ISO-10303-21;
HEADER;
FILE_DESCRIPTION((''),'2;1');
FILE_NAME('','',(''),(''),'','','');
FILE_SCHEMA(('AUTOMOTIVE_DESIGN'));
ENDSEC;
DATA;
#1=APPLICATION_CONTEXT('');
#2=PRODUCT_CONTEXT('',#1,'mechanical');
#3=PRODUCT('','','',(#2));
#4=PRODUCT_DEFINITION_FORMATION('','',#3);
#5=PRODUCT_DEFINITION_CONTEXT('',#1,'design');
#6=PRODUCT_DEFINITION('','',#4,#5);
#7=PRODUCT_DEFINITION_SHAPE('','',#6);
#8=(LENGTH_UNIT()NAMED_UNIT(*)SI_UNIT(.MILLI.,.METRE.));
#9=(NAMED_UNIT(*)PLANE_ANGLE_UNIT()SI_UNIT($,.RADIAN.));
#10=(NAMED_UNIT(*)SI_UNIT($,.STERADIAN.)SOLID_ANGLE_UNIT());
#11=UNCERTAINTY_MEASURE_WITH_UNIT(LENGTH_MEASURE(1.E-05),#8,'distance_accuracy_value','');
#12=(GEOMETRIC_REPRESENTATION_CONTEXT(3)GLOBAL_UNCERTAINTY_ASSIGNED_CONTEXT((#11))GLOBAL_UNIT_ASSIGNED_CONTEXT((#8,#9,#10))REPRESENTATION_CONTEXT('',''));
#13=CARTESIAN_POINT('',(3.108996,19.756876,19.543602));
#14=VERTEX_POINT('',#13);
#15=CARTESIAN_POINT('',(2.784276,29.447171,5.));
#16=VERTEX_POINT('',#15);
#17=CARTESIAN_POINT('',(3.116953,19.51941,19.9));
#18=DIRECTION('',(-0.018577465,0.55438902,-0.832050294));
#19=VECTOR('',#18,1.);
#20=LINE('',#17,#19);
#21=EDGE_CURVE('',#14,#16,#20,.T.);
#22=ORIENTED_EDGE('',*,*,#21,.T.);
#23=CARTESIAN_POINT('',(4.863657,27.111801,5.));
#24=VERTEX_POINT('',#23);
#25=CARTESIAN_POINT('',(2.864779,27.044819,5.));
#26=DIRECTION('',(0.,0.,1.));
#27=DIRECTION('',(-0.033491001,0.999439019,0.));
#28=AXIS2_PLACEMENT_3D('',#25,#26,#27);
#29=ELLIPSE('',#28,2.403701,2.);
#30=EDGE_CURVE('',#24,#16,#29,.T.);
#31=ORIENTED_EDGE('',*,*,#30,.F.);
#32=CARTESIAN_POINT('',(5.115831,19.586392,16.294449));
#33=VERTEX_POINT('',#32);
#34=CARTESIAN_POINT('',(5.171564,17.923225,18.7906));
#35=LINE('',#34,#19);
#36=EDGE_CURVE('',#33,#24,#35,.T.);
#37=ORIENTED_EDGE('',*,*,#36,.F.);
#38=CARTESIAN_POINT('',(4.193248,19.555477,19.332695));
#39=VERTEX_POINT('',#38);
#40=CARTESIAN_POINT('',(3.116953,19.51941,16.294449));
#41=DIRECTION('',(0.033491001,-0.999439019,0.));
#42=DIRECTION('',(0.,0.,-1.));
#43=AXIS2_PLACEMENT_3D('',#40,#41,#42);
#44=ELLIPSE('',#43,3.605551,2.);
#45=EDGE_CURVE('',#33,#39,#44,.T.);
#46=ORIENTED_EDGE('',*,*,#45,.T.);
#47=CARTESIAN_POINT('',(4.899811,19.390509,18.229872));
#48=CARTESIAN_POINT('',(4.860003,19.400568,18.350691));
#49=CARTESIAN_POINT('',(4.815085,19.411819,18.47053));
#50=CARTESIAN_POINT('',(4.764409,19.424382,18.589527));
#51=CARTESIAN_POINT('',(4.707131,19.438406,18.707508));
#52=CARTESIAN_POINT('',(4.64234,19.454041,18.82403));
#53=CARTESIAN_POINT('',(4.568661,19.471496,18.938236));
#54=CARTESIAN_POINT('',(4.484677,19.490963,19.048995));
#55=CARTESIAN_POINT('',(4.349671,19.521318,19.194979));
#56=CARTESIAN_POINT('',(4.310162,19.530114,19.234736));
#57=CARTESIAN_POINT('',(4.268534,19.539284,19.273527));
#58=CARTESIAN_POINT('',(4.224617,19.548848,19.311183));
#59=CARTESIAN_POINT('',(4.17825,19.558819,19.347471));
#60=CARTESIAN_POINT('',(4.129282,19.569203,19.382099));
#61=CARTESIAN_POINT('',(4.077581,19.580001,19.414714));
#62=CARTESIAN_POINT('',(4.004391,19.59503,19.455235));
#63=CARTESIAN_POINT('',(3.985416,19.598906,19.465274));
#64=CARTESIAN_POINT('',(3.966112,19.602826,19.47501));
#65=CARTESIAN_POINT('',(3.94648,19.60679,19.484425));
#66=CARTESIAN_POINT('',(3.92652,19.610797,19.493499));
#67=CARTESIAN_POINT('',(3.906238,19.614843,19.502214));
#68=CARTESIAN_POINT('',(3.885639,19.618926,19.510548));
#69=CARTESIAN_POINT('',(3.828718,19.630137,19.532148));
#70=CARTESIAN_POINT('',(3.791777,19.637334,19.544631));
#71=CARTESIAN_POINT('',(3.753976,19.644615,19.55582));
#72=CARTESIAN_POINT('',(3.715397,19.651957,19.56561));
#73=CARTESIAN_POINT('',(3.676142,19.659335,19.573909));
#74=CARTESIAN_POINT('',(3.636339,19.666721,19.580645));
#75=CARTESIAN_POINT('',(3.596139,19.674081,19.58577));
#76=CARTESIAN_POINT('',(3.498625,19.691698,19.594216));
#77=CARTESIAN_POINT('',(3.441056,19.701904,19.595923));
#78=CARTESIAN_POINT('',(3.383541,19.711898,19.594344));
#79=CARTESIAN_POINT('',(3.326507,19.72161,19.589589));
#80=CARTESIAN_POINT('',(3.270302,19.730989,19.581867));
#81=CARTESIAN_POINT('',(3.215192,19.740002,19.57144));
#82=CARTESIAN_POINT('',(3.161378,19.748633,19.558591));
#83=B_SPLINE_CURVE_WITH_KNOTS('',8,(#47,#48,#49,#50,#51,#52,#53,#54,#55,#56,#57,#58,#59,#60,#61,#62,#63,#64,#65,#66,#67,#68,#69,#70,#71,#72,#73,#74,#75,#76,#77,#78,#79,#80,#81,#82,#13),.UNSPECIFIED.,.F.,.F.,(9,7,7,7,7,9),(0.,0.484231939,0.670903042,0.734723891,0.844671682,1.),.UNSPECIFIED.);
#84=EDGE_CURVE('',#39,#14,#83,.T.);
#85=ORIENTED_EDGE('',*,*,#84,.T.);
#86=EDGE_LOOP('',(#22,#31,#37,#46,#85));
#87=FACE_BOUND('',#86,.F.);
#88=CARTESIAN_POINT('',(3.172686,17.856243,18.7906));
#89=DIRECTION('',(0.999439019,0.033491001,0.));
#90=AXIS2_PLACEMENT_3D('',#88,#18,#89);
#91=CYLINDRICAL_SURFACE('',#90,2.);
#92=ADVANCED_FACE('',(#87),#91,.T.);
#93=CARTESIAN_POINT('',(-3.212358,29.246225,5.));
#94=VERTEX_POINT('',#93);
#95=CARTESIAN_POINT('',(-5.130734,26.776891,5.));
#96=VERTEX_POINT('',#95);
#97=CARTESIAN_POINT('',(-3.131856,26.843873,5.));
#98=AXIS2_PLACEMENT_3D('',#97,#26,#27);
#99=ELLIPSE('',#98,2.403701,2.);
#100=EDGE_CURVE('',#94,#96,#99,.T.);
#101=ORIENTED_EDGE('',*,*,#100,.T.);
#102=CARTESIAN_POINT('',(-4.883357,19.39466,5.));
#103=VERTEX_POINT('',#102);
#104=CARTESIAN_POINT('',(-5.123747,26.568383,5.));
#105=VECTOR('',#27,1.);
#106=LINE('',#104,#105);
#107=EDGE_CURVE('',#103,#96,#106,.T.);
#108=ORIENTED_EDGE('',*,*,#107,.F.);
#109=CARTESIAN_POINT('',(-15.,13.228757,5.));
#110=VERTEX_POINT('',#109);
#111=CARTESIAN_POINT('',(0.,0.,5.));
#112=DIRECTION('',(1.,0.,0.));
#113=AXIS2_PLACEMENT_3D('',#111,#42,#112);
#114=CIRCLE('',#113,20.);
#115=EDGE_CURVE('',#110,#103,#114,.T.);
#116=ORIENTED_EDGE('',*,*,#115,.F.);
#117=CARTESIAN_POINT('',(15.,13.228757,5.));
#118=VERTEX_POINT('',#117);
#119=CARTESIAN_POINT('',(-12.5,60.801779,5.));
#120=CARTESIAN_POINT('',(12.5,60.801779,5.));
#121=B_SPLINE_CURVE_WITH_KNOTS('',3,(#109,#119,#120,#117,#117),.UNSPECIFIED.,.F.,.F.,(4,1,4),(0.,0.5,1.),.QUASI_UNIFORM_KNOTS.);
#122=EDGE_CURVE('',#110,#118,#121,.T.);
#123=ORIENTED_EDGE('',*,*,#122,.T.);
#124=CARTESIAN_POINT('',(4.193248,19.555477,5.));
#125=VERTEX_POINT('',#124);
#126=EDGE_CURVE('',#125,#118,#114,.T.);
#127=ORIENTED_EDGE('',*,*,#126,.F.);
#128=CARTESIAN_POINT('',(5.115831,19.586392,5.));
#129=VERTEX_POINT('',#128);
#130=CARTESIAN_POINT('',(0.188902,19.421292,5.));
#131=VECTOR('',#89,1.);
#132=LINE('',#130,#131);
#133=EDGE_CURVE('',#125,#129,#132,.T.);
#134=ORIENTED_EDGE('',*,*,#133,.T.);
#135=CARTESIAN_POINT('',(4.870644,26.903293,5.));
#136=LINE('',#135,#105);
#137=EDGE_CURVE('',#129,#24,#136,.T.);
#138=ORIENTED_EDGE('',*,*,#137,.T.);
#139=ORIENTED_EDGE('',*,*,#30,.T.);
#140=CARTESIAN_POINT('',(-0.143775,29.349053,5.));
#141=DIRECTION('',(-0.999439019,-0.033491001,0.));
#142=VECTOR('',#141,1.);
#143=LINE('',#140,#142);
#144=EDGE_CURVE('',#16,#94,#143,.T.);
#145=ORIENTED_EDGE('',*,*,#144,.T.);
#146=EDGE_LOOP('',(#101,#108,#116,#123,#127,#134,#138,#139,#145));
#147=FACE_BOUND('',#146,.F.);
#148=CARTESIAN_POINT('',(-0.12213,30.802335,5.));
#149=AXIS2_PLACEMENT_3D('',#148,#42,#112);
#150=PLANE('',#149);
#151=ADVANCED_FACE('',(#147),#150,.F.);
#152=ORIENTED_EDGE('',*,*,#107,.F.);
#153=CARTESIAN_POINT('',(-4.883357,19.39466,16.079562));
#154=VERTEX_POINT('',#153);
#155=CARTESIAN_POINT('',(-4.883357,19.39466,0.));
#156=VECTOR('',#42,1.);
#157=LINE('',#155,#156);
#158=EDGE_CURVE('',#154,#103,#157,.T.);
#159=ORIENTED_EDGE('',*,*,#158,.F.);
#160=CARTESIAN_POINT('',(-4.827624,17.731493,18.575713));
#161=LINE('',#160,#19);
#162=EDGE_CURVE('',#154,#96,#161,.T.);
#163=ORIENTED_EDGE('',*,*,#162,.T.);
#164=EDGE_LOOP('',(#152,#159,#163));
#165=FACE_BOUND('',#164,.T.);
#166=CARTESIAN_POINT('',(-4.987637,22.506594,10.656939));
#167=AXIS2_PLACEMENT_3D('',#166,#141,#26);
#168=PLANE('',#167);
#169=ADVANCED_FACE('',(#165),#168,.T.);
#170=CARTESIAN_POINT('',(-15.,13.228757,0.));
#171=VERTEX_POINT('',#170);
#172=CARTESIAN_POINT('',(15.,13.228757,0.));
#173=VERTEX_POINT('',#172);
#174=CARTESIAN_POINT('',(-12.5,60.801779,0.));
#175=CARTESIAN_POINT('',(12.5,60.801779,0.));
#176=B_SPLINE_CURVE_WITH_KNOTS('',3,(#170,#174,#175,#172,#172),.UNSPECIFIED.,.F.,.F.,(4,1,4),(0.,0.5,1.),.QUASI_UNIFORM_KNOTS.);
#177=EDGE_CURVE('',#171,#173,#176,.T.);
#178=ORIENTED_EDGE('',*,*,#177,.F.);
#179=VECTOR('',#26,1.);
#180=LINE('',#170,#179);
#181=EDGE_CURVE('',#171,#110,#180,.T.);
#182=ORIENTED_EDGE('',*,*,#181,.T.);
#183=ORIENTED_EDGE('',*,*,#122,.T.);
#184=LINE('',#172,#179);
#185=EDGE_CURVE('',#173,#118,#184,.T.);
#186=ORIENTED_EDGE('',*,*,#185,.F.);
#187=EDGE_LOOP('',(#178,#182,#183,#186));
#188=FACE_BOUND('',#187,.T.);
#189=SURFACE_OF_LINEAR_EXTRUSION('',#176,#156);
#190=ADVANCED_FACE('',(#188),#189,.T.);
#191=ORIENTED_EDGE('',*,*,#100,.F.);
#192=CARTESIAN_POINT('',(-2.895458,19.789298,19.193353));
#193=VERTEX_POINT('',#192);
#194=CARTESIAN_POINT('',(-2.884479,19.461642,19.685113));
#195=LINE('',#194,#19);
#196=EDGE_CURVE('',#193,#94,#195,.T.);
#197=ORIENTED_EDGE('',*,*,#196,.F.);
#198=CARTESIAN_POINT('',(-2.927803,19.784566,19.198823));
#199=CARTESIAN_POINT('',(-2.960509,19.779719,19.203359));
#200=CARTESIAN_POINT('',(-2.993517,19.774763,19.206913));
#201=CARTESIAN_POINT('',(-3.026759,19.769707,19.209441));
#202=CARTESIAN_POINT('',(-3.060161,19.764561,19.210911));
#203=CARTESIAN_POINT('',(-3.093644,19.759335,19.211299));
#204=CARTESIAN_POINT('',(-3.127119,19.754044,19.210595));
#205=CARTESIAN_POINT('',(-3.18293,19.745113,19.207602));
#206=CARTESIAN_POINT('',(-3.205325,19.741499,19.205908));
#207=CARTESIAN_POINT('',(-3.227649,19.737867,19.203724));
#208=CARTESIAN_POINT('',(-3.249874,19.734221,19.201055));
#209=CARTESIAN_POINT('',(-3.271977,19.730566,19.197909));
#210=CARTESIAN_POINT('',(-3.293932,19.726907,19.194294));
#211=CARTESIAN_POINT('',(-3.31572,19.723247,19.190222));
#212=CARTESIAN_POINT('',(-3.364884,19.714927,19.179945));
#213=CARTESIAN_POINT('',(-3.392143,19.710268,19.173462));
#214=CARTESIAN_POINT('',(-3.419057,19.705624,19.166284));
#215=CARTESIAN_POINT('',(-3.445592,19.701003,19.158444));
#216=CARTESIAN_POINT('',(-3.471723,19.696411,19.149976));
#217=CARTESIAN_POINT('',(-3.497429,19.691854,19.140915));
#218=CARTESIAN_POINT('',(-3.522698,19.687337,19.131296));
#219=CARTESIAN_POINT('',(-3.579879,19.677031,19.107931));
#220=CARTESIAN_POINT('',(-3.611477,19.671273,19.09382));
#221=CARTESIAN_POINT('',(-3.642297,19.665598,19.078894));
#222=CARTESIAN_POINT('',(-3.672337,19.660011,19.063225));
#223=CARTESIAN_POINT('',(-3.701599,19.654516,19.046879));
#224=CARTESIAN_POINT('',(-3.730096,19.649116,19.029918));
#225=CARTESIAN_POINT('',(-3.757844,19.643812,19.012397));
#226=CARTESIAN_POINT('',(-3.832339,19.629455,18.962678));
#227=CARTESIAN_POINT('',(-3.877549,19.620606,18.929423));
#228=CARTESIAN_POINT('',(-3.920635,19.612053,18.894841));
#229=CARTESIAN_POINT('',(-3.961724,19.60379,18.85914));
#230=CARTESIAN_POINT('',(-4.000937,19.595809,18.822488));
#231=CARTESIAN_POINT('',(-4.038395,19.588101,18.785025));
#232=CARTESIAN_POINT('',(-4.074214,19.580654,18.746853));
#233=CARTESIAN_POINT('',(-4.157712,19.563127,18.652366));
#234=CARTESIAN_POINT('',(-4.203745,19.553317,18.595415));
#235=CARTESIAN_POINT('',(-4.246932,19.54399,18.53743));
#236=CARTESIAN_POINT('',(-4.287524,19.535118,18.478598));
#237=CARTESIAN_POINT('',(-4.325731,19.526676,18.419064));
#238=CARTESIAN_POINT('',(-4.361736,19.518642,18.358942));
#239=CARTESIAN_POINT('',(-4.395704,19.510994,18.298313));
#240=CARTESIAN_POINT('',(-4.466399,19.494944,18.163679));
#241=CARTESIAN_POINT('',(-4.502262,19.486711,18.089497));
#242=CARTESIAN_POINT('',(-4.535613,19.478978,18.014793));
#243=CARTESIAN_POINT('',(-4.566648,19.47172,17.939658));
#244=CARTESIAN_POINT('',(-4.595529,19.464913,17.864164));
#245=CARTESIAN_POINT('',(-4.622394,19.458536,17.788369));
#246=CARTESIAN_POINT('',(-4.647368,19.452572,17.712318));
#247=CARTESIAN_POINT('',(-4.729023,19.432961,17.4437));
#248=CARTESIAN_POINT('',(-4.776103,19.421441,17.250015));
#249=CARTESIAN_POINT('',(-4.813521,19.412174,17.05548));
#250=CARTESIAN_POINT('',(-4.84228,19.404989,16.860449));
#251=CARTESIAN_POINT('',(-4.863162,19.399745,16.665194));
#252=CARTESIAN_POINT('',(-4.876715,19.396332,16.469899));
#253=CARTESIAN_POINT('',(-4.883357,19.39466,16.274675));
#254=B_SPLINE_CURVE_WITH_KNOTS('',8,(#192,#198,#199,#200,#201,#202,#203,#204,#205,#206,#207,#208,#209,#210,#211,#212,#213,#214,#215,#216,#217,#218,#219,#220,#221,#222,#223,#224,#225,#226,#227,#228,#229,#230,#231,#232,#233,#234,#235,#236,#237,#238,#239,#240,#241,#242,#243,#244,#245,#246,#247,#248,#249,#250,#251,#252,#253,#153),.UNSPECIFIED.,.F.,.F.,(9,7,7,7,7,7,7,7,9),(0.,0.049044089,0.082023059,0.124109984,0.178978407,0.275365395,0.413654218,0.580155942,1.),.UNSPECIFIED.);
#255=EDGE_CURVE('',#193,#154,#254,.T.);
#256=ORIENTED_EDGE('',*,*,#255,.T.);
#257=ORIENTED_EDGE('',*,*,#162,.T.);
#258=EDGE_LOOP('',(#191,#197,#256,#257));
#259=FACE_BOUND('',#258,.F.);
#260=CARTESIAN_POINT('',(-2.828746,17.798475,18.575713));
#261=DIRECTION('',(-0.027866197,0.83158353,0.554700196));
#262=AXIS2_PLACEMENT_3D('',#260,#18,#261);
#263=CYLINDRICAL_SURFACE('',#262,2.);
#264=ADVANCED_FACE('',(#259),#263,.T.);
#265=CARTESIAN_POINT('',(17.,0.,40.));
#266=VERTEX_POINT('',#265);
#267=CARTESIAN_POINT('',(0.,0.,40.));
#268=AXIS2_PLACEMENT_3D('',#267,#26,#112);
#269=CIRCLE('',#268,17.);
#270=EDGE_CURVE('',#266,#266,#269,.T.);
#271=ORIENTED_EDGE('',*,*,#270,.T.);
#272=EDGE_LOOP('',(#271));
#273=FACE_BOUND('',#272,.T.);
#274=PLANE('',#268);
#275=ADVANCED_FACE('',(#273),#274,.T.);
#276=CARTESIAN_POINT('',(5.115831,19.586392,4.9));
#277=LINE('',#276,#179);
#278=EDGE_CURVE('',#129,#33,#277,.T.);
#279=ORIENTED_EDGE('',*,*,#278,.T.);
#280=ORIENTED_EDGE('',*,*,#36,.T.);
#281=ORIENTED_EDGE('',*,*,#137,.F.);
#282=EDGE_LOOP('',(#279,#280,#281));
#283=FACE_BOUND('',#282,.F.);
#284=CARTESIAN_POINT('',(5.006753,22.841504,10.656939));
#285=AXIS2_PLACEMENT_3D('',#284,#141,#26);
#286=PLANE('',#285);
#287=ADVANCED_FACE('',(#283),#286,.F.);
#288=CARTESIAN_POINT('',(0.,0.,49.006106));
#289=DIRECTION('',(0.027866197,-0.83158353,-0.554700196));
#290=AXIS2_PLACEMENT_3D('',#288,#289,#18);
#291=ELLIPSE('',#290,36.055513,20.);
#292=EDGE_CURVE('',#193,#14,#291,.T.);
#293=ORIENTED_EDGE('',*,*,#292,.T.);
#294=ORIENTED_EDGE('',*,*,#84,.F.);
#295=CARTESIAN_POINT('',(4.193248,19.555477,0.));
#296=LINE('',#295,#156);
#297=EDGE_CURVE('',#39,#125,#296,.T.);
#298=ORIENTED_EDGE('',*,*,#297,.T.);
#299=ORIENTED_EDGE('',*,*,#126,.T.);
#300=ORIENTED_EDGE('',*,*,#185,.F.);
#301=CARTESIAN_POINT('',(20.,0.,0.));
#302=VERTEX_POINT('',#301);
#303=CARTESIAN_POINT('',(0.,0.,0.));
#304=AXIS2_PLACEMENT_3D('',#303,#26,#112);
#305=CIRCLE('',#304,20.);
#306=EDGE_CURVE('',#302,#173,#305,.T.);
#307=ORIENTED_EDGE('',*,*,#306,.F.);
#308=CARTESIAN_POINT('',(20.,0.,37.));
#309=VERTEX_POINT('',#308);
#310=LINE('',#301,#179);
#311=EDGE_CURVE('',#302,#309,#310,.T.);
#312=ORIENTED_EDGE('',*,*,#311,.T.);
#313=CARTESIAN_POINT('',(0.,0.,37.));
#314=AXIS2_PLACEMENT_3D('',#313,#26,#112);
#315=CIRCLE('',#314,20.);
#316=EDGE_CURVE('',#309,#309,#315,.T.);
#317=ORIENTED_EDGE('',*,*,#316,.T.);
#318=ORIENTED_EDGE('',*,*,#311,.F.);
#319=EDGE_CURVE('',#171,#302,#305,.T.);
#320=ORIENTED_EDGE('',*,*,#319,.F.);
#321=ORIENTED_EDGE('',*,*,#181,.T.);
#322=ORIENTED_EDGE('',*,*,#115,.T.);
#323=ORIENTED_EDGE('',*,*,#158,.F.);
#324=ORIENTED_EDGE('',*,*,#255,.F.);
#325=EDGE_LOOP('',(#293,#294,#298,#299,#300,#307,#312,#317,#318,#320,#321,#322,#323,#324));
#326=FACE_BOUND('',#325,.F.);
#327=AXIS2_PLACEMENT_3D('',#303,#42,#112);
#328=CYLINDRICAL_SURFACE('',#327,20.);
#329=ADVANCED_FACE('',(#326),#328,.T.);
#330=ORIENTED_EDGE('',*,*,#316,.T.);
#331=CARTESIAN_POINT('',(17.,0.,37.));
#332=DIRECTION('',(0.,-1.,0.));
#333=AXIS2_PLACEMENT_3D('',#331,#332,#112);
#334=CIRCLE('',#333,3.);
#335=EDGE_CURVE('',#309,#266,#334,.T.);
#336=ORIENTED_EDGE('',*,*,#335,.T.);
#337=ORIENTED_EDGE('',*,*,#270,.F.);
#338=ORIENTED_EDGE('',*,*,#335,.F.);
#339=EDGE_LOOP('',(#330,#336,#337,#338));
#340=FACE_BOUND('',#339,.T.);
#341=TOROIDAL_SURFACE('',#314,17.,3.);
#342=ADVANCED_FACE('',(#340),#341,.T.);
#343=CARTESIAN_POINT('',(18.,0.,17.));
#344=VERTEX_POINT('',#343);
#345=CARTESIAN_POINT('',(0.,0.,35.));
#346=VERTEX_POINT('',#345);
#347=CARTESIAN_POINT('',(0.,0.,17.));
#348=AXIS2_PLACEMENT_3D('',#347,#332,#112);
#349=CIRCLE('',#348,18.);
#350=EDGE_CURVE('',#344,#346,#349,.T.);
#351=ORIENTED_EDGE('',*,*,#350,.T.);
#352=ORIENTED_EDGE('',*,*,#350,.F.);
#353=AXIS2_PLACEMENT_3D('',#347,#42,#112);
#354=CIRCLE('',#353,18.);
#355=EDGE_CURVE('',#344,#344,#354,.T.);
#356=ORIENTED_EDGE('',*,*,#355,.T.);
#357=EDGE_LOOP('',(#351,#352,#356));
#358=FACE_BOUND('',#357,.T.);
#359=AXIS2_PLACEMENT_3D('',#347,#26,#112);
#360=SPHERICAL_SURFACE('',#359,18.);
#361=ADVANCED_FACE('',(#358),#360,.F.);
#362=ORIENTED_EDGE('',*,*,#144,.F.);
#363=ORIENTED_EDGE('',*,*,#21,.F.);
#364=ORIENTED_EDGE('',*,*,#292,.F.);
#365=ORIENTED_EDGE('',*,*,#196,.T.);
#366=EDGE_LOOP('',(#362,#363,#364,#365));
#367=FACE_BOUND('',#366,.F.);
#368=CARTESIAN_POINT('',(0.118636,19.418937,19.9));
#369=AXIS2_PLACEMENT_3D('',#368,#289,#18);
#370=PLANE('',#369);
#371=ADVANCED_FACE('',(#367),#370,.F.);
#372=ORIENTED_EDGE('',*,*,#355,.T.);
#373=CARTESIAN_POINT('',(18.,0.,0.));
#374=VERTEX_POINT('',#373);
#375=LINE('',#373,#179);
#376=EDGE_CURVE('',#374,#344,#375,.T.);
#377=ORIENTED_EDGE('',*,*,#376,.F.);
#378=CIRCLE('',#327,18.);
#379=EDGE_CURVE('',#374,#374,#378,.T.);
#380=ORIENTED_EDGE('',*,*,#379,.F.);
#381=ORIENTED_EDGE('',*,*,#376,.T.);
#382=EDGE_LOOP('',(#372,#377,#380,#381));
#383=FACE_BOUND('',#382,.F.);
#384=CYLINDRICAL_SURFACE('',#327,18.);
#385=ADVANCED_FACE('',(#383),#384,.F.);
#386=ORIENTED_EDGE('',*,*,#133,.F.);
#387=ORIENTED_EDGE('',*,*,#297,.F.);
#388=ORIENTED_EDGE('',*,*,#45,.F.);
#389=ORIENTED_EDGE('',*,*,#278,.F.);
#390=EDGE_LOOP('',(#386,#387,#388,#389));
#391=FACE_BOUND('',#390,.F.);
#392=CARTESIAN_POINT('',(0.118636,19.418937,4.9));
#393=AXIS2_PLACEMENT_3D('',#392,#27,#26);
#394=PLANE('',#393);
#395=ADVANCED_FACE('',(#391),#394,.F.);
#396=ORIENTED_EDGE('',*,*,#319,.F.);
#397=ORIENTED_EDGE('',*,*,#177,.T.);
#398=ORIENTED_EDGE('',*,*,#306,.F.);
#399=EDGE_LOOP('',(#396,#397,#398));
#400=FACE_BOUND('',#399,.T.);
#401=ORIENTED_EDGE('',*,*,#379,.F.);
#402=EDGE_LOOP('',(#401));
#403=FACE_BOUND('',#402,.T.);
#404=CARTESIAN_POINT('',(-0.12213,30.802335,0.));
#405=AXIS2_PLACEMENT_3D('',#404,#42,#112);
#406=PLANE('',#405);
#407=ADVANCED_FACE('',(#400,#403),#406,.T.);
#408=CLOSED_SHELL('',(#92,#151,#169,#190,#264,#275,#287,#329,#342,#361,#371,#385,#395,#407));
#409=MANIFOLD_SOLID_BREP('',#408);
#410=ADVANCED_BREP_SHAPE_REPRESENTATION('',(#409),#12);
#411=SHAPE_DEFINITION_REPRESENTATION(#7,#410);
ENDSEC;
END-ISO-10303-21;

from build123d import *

# Parameters (mm, degrees)
SKETCH_R     = 20
PAD_DEPTH    = 40
SKETCH001_R  = 18
POCKET_DEPTH = 35
FILLET_R     = 18
FILLET001_R  = 3
PAD001_DEPTH = 5
PAD002_DEPTH = 5
FILLET002_R  = 2


with BuildPart() as part:
    # Sketch → Pad (new body)
    with BuildSketch(Plane.XY):
        Circle(SKETCH_R)
    extrude(amount=PAD_DEPTH)

    # Sketch001 (on Face2 of Pad) → Pocket (cut)
    with BuildSketch(Plane(origin=(0, 0, 0), x_dir=(1, 0, 0), z_dir=(0, 0, -1))):
        Circle(SKETCH001_R)
    extrude(amount=-POCKET_DEPTH, mode=Mode.SUBTRACT)

    # Fillet
    fillet_edges = [part.edges().sort_by_distance(p)[0] for p in [
        (-18, 0, 35),
    ]]
    fillet(fillet_edges, radius=FILLET_R)

    # Fillet001
    fillet001_edges = [part.edges().sort_by_distance(p)[0] for p in [
        (-20, 0, 40),
    ]]
    fillet(fillet001_edges, radius=FILLET001_R)

    # Sketch002 (on Face3 of Fillet001) → Pad001 (join)
    with BuildSketch(Plane(origin=(0, 0, 0), x_dir=(1, 0, 0), z_dir=(0, 0, -1))):
        with BuildLine():
            add(Edge.make_bspline(
                [(-15, -13.228757), (-12.5, -60.801779), (12.5, -60.801779), (15, -13.228757), (15, -13.228757)],
                knots=[0, 0, 0, 0, 0.5, 1, 1, 1, 1], degree=3))
            Line((15, -13.228757), (9.755599, -16.368215))
            Line((9.755599, -16.368215), (2.922141, -18.626266))
            Line((2.922141, -18.626266), (-4.636806, -18.626266))
            Line((-4.636806, -18.626266), (-15, -13.228757))
        make_face()
    extrude(amount=-PAD001_DEPTH)

    # Sketch003 (on DatumPlane) → Pad002 (join, symmetric)
    with BuildSketch(Plane(origin=(-0.443704, 36.200309, 2.5), x_dir=(0, 0, -1), z_dir=(0.999439, 0.033491, 0))):
        Polygon((-2.4, -16.790791), (-17.4, -16.790791), (-2.4, -6.790791), align=None)
    extrude(amount=PAD002_DEPTH, both=True)

    # Fillet002
    fillet002_edges = [part.edges().sort_by_distance(p)[0] for p in [
        (-5.047294, 24.286952, 12.342556),
        (4.949495, 24.550274, 12.45),
    ]]
    fillet(fillet002_edges, radius=FILLET002_R)


solid = part.part
